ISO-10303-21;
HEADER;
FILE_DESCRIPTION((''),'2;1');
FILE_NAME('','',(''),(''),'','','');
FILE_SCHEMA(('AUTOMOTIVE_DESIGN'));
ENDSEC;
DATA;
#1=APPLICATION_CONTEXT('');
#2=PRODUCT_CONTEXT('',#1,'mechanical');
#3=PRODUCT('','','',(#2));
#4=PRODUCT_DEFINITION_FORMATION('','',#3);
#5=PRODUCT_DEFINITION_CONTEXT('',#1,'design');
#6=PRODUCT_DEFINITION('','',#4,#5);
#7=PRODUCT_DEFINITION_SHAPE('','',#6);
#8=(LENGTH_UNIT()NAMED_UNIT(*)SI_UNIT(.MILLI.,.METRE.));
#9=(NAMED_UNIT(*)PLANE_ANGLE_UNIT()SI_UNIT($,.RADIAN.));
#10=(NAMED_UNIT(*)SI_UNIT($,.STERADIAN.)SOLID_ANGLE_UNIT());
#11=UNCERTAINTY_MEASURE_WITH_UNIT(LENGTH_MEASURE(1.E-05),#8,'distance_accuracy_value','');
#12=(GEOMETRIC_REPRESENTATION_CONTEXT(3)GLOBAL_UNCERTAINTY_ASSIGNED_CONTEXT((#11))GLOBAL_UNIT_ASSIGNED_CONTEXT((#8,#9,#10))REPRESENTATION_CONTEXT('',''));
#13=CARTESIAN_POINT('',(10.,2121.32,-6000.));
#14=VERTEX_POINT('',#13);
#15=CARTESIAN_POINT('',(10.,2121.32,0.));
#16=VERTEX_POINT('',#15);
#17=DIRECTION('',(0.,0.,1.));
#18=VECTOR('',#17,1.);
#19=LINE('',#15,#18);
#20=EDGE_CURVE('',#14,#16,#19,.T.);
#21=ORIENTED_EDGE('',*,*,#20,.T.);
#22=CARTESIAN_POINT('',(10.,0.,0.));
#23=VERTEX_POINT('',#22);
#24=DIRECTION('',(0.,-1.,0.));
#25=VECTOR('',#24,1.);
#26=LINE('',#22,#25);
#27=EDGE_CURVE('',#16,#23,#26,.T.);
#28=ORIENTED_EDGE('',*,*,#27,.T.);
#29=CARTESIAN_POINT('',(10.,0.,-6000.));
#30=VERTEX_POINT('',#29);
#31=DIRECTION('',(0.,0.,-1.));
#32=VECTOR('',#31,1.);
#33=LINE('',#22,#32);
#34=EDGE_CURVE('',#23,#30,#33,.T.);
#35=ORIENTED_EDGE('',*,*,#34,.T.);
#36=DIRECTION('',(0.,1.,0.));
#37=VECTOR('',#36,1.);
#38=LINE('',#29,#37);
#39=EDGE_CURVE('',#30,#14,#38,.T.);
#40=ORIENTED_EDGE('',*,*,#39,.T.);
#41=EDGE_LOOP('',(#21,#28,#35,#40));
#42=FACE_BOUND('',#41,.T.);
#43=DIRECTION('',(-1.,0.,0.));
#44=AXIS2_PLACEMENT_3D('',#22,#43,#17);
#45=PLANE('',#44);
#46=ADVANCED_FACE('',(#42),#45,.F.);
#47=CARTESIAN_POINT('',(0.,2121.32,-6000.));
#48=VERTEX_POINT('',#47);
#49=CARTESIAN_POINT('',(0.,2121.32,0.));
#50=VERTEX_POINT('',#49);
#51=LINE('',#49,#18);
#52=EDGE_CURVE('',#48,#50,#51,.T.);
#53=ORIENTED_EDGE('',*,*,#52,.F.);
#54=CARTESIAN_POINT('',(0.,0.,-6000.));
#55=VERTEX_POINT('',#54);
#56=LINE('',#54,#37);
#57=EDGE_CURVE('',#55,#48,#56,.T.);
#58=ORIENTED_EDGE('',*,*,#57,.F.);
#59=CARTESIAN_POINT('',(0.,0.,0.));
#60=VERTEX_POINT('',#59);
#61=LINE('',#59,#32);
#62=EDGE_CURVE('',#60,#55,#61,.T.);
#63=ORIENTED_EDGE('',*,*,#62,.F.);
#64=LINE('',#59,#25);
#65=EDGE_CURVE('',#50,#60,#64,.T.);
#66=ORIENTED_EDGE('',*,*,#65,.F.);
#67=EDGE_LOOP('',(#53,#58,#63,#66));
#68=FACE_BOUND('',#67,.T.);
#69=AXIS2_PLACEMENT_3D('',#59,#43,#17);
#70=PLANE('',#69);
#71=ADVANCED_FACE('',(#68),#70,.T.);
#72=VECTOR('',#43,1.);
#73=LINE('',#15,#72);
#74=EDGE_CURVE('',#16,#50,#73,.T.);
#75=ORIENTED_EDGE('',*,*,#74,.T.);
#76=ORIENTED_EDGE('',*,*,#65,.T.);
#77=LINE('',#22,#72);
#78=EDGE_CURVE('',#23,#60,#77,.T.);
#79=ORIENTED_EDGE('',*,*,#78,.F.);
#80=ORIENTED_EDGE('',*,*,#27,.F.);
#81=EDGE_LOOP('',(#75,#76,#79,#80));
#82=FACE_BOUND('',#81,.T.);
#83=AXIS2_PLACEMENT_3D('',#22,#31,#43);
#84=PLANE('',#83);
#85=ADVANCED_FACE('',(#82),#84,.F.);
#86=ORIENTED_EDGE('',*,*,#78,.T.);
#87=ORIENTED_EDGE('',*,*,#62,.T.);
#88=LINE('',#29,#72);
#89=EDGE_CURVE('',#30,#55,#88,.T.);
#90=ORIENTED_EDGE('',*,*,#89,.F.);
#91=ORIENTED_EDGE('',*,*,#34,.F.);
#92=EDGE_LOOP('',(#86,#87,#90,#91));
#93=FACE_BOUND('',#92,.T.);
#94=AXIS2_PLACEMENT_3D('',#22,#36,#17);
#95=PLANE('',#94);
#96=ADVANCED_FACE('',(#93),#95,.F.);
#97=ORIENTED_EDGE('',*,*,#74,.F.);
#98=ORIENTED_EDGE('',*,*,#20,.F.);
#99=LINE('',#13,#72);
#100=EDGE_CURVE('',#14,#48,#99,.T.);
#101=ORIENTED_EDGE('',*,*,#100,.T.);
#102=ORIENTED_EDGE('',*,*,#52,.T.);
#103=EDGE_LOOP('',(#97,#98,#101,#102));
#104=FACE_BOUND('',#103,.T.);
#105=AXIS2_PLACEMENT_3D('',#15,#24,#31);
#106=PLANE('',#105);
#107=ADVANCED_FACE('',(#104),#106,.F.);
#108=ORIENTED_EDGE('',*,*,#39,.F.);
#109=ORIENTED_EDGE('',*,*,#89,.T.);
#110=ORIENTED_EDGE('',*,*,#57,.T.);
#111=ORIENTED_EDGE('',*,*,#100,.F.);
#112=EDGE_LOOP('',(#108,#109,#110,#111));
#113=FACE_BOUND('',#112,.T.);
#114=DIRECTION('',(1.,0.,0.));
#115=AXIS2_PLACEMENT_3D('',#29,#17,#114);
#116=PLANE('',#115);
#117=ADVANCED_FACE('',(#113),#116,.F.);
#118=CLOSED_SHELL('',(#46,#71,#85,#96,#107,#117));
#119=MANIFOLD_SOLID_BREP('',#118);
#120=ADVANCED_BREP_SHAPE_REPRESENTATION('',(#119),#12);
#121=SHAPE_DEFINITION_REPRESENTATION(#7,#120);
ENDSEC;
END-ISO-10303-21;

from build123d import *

# Parameters (mm, degrees)
SKETCH_1_W      = 6000
SKETCH_1_H      = 2121.32
EXTRUDE_1_DEPTH = 10


with BuildPart() as part:
    # 草图1 → 凸台-拉伸1 (new body)
    with BuildSketch(Plane(origin=(0, 0, 0), x_dir=(0, 0, -1), z_dir=(1, 0, 0))):
        with Locations((3000, 1060.66)):
            Rectangle(SKETCH_1_W, SKETCH_1_H)
    extrude(amount=EXTRUDE_1_DEPTH)


solid = part.part
